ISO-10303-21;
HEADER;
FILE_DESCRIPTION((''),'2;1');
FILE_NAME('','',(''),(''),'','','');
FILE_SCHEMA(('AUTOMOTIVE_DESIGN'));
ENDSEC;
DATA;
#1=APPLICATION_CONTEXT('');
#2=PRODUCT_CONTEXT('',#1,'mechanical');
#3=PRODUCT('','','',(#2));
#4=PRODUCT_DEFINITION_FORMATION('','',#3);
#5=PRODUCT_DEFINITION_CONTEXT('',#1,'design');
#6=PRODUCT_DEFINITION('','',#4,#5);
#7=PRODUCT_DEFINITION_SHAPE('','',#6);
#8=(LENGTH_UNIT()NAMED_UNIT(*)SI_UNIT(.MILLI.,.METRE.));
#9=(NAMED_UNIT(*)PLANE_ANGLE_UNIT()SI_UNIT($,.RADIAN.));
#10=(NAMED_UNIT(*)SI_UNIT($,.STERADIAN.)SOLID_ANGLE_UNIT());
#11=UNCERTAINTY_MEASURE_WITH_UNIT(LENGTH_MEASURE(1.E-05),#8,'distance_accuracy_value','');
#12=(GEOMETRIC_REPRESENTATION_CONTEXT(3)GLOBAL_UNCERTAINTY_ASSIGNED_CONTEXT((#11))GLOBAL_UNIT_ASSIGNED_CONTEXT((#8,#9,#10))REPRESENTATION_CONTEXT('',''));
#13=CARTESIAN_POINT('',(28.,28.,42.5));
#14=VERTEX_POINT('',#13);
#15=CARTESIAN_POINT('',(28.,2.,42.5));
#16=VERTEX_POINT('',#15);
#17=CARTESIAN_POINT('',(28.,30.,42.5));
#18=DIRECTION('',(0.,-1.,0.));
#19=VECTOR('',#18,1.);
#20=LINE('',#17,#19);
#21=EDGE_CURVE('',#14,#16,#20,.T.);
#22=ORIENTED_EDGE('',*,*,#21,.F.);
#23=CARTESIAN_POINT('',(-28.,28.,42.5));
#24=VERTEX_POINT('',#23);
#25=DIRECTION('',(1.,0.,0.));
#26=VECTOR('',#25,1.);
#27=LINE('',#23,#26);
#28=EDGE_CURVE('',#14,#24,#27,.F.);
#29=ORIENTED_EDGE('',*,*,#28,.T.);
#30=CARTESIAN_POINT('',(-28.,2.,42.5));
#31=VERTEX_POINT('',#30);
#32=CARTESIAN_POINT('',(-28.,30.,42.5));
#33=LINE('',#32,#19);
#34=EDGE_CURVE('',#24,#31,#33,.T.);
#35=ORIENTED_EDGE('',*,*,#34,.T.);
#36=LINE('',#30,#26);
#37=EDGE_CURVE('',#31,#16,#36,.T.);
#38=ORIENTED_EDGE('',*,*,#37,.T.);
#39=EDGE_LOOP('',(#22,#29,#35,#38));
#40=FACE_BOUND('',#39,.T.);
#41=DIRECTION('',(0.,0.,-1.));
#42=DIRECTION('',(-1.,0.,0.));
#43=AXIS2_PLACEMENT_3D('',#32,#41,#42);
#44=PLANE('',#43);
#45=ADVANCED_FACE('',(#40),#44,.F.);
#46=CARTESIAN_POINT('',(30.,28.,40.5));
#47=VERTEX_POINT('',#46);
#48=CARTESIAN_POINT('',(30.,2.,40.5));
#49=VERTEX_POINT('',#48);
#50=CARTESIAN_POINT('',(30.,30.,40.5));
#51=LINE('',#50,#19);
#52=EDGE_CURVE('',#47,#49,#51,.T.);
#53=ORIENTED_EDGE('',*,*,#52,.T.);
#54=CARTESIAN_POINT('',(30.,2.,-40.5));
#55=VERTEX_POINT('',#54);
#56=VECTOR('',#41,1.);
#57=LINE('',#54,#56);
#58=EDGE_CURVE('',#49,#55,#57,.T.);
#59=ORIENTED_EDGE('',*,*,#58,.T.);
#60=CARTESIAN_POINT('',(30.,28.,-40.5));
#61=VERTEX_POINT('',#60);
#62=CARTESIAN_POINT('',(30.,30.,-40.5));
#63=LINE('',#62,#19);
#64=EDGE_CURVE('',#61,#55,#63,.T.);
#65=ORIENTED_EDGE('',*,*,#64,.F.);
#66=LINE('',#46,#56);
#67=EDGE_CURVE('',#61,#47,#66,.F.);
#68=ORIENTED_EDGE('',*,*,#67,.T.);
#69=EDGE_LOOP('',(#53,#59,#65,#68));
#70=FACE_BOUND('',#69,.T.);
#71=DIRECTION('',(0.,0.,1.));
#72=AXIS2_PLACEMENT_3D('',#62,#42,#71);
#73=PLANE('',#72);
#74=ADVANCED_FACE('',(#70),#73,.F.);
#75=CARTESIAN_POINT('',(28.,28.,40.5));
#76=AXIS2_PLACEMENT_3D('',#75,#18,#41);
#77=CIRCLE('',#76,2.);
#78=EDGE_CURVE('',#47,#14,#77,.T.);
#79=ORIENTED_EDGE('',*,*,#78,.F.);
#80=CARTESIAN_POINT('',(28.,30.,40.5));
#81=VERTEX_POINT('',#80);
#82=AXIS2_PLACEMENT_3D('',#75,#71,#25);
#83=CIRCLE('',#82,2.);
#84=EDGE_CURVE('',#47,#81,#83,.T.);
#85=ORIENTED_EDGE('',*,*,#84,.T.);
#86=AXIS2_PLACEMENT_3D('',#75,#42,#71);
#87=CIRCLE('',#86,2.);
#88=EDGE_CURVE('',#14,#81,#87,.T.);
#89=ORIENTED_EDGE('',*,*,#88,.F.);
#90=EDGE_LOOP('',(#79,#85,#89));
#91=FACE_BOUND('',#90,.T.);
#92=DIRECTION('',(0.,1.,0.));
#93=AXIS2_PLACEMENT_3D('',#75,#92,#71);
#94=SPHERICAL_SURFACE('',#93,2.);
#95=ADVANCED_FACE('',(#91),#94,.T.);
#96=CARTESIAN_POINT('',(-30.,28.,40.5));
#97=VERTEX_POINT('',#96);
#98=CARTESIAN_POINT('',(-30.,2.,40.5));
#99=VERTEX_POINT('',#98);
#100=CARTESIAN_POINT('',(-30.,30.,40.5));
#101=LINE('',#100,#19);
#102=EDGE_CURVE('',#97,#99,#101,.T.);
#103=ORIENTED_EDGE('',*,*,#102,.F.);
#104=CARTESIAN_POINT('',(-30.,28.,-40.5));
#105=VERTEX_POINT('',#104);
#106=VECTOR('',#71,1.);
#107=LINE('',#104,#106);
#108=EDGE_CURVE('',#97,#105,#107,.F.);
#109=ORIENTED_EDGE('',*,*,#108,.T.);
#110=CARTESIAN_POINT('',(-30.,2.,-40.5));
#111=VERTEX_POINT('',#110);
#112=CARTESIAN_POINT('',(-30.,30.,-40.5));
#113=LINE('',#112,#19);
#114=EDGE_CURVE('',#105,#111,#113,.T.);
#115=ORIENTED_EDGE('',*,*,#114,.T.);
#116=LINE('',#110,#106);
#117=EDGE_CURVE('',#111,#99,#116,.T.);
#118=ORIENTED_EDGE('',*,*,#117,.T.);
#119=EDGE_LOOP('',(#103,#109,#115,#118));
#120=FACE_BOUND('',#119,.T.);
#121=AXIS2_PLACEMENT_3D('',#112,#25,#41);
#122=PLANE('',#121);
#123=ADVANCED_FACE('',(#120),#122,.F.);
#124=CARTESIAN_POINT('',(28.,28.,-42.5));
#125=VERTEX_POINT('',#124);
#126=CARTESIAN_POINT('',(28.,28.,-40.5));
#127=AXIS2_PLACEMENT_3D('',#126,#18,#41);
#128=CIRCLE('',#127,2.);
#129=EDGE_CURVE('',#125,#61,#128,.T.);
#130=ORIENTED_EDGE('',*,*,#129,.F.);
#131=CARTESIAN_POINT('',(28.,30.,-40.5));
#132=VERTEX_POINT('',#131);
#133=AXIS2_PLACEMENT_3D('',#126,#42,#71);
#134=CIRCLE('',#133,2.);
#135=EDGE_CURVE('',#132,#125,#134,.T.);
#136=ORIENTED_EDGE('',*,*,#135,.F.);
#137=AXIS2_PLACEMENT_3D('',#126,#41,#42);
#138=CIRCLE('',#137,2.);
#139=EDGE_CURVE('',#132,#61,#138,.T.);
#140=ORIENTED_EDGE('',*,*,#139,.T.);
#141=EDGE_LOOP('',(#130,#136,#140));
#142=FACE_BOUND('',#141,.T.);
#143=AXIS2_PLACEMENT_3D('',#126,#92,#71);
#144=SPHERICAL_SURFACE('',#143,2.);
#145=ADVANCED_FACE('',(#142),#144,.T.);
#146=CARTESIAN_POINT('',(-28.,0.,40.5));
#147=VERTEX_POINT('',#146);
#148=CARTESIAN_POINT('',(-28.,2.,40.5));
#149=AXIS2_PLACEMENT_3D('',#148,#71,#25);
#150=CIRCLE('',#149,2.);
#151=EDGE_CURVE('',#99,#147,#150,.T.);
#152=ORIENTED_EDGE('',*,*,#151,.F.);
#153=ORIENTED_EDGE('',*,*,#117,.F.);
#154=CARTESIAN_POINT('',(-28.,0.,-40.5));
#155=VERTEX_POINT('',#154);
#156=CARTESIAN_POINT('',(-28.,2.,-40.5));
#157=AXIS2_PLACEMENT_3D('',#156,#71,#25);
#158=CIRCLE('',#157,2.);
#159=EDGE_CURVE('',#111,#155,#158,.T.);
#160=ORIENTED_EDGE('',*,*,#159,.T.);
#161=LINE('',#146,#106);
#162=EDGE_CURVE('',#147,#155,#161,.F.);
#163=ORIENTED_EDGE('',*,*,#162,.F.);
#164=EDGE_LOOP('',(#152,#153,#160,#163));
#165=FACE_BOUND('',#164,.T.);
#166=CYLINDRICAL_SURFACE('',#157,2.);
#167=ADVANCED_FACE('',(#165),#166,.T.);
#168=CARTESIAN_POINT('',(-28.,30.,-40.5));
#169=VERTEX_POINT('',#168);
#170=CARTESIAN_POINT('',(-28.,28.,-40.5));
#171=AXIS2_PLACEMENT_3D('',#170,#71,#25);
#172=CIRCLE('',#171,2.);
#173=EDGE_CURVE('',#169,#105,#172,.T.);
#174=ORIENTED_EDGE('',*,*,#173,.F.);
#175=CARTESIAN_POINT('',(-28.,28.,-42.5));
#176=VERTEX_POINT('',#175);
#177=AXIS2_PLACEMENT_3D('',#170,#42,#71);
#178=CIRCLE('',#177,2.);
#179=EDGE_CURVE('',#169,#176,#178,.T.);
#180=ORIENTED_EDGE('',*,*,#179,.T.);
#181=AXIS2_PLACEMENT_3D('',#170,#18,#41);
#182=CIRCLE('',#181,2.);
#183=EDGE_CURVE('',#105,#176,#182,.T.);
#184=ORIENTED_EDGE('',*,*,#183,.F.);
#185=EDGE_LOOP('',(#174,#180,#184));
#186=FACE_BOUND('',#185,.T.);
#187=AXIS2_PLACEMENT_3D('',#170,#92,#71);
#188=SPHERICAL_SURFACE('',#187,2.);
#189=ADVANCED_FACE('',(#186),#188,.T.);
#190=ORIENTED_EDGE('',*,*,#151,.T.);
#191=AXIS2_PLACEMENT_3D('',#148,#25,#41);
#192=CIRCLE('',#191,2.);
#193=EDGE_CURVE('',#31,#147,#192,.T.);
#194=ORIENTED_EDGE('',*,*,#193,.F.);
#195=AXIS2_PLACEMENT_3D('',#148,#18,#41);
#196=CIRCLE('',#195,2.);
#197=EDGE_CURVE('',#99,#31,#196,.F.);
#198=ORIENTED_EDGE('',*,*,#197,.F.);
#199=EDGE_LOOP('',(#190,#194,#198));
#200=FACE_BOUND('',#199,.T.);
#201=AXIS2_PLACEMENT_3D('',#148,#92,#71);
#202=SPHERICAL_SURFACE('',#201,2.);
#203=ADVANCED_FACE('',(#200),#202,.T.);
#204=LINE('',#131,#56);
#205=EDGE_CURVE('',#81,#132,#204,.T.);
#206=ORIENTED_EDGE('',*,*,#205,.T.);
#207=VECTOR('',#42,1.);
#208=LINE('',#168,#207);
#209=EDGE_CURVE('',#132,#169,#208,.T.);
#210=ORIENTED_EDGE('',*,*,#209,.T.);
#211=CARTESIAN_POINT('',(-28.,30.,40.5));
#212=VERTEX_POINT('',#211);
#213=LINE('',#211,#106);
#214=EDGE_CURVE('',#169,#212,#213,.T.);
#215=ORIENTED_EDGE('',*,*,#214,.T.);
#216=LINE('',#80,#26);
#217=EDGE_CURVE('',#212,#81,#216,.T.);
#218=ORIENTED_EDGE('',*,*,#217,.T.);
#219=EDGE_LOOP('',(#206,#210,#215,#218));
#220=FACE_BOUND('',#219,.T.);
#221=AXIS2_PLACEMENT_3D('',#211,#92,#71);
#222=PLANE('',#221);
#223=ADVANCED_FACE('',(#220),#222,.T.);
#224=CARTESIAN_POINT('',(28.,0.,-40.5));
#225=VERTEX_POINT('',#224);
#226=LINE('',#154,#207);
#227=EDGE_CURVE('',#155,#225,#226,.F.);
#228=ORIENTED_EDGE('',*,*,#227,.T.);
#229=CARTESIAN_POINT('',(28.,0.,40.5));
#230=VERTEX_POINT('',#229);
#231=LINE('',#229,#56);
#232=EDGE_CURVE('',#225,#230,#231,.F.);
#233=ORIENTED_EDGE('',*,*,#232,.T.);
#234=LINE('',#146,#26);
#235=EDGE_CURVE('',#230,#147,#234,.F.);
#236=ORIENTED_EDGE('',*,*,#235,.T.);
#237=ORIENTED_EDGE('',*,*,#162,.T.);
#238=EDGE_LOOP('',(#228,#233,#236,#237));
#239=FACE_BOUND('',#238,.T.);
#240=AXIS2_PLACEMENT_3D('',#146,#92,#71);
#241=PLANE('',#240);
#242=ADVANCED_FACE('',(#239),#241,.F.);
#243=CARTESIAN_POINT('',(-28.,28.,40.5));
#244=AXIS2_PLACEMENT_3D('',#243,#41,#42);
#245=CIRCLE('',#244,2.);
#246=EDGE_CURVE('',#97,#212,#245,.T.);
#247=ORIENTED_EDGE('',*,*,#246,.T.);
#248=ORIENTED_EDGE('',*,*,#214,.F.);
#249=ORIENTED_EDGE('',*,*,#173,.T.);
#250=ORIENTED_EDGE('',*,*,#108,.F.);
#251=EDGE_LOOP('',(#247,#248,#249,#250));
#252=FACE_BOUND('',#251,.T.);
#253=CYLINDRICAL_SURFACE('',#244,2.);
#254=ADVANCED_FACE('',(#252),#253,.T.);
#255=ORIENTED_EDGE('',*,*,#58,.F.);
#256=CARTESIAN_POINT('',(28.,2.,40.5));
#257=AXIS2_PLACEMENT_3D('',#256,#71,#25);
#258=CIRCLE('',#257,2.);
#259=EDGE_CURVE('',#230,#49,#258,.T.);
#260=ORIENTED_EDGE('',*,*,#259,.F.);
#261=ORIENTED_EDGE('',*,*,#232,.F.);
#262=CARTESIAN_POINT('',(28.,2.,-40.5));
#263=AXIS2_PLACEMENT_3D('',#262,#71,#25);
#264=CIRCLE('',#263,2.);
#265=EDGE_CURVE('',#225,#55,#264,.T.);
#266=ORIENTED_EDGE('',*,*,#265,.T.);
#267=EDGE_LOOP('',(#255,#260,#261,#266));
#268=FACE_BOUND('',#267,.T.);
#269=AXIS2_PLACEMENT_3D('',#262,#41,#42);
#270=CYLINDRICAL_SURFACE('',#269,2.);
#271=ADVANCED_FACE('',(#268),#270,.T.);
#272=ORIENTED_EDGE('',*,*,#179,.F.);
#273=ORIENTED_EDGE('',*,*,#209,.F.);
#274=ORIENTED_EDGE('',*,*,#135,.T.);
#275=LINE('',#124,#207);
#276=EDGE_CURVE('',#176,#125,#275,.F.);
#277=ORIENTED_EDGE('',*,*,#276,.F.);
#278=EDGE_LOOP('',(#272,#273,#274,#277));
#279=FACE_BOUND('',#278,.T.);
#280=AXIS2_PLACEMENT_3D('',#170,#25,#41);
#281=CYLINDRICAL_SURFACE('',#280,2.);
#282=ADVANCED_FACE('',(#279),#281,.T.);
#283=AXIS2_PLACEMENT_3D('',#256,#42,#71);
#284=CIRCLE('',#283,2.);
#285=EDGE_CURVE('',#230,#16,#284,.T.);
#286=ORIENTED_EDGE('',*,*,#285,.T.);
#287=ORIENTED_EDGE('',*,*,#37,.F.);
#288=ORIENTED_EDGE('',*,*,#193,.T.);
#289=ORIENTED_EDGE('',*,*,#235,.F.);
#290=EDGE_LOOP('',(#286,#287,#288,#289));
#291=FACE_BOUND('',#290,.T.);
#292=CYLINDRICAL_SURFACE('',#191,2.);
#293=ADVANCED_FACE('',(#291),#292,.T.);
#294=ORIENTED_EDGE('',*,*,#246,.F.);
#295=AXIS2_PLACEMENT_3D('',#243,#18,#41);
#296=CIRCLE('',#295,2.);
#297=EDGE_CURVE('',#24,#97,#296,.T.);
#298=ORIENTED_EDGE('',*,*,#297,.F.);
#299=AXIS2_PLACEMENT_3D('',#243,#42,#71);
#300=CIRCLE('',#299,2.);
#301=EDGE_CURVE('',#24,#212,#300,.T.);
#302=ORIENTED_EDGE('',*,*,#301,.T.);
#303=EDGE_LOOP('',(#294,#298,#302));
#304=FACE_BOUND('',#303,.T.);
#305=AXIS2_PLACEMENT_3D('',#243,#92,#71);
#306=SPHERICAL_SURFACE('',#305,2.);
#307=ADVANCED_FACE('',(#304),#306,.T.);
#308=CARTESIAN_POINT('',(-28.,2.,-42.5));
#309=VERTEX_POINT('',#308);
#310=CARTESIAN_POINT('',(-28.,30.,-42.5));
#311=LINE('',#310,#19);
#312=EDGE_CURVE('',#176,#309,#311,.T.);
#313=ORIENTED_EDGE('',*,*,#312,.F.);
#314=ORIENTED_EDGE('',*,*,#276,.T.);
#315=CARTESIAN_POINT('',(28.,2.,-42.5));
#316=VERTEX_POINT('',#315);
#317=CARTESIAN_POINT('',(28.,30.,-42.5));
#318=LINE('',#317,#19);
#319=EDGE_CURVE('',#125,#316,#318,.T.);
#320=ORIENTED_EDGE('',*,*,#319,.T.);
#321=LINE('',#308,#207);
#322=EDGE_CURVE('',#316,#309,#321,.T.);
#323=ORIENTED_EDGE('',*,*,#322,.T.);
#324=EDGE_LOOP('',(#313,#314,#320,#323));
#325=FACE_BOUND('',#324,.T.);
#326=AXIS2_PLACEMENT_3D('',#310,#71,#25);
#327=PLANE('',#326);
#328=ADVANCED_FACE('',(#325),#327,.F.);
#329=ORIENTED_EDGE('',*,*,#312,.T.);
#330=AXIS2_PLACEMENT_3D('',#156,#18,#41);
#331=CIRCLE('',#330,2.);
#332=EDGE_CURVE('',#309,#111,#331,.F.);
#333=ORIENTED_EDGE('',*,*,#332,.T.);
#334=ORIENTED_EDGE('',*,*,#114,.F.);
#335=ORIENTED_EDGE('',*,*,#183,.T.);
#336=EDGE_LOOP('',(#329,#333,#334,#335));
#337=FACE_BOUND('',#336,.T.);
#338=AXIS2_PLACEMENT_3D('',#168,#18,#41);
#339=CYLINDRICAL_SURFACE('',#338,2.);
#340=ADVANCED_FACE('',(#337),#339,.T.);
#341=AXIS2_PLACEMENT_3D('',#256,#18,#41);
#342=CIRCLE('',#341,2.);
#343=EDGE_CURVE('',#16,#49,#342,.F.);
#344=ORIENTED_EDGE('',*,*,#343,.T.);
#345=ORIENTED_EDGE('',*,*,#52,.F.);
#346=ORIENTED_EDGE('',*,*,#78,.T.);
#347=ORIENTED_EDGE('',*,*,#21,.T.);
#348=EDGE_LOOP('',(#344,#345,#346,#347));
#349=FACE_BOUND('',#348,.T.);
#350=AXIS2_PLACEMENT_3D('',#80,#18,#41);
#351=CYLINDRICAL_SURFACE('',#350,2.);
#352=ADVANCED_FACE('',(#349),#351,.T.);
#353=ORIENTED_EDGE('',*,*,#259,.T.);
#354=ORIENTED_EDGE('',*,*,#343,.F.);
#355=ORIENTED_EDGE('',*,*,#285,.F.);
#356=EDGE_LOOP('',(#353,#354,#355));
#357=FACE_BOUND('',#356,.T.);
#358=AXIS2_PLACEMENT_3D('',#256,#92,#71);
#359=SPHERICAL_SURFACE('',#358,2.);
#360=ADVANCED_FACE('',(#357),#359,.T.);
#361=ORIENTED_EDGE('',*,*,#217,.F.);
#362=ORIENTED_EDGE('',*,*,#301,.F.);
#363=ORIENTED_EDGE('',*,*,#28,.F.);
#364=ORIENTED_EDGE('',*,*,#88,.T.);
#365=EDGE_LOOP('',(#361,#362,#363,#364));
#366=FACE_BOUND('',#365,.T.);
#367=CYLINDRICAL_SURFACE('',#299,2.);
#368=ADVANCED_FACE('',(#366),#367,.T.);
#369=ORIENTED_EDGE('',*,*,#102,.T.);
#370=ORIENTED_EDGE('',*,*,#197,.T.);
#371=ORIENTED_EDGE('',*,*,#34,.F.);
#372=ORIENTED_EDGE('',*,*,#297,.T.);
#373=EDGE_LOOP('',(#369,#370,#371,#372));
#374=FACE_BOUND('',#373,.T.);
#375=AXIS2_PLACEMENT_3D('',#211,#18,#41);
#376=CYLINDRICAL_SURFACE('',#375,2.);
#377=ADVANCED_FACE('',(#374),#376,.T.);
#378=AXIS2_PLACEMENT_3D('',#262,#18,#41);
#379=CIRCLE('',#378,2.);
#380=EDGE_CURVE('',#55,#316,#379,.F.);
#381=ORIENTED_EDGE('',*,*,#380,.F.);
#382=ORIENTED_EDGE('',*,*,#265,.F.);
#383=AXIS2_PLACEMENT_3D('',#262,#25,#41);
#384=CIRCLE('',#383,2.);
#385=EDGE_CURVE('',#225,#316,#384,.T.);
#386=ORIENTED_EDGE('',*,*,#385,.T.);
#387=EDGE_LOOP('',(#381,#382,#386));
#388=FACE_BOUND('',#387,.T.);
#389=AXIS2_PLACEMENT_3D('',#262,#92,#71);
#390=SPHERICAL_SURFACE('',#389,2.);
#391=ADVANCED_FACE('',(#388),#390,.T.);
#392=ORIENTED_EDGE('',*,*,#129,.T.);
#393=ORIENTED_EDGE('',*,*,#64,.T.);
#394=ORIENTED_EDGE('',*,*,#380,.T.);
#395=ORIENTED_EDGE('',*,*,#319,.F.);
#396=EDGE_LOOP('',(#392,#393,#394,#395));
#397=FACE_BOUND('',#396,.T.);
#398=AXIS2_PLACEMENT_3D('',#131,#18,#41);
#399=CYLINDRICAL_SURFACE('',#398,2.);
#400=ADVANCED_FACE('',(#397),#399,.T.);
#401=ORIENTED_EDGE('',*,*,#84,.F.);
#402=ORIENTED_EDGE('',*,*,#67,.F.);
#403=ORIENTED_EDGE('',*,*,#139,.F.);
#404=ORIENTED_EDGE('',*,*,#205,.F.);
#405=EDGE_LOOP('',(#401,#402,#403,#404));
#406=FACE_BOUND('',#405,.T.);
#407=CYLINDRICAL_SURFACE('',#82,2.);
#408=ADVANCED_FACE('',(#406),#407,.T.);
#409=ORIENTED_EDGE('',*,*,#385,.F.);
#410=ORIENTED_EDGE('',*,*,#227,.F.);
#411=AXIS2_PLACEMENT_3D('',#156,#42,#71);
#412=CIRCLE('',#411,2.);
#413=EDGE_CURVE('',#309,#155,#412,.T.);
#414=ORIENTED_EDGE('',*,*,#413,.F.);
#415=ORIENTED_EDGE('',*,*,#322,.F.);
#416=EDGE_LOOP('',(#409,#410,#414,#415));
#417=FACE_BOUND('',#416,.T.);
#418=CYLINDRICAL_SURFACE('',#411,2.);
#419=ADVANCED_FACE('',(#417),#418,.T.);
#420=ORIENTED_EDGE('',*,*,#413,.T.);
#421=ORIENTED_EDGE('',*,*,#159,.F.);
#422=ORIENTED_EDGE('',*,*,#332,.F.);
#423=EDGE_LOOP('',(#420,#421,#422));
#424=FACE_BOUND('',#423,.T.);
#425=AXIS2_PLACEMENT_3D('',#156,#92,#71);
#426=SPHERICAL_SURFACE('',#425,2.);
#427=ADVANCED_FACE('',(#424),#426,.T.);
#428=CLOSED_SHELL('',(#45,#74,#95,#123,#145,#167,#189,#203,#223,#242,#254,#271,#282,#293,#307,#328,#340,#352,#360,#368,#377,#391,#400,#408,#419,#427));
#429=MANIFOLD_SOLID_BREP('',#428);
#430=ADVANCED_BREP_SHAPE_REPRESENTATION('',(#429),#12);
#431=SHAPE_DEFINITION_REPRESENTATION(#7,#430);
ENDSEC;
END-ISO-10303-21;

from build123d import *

# Parameters (mm, degrees)
EXTRUDE_1_DEPTH = 30
FILLET_1_R      = 2


with BuildPart() as part:
    # 草图1 → 凸台-拉伸1 (new body)
    with BuildSketch(Plane(origin=(0, 0, 0), x_dir=(1, 0, 0), z_dir=(0, 1, 0))):
        with BuildLine():
            Line((-28, 42.5), (28, 42.5))
            ThreePointArc((28, 42.5), (29.414213562, 41.914213562), (30, 40.5))
            Line((30, 40.5), (30, -40.5))
            ThreePointArc((30, -40.5), (29.414213562, -41.914213562), (28, -42.5))
            Line((28, -42.5), (-28, -42.5))
            ThreePointArc((-28, -42.5), (-29.414213562, -41.914213562), (-30, -40.5))
            Line((-30, -40.5), (-30, 40.5))
            ThreePointArc((-30, 40.5), (-29.414213562, 41.914213562), (-28, 42.5))
        make_face()
    extrude(amount=EXTRUDE_1_DEPTH)

    # 圆角1
    fillet_1_edges = [part.edges().sort_by_distance(p)[0] for p in [
        (29.414213562, 30, 41.914213562),
        (0, 0, 42.5),
        (-29.414213562, 0, 41.914213562),
        (30, 30, 0),
        (29.414213562, 30, -41.914213562),
        (0, 30, -42.5),
        (-29.414213562, 30, -41.914213562),
        (-30, 30, 0),
        (-29.414213562, 30, 41.914213562),
        (0, 30, 42.5),
        (-30, 0, 0),
        (-29.414213562, 0, -41.914213562),
        (0, 0, -42.5),
        (29.414213562, 0, -41.914213562),
        (30, 0, 0),
        (29.414213562, 0, 41.914213562),
    ]]
    fillet(fillet_1_edges, radius=FILLET_1_R)


solid = part.part
